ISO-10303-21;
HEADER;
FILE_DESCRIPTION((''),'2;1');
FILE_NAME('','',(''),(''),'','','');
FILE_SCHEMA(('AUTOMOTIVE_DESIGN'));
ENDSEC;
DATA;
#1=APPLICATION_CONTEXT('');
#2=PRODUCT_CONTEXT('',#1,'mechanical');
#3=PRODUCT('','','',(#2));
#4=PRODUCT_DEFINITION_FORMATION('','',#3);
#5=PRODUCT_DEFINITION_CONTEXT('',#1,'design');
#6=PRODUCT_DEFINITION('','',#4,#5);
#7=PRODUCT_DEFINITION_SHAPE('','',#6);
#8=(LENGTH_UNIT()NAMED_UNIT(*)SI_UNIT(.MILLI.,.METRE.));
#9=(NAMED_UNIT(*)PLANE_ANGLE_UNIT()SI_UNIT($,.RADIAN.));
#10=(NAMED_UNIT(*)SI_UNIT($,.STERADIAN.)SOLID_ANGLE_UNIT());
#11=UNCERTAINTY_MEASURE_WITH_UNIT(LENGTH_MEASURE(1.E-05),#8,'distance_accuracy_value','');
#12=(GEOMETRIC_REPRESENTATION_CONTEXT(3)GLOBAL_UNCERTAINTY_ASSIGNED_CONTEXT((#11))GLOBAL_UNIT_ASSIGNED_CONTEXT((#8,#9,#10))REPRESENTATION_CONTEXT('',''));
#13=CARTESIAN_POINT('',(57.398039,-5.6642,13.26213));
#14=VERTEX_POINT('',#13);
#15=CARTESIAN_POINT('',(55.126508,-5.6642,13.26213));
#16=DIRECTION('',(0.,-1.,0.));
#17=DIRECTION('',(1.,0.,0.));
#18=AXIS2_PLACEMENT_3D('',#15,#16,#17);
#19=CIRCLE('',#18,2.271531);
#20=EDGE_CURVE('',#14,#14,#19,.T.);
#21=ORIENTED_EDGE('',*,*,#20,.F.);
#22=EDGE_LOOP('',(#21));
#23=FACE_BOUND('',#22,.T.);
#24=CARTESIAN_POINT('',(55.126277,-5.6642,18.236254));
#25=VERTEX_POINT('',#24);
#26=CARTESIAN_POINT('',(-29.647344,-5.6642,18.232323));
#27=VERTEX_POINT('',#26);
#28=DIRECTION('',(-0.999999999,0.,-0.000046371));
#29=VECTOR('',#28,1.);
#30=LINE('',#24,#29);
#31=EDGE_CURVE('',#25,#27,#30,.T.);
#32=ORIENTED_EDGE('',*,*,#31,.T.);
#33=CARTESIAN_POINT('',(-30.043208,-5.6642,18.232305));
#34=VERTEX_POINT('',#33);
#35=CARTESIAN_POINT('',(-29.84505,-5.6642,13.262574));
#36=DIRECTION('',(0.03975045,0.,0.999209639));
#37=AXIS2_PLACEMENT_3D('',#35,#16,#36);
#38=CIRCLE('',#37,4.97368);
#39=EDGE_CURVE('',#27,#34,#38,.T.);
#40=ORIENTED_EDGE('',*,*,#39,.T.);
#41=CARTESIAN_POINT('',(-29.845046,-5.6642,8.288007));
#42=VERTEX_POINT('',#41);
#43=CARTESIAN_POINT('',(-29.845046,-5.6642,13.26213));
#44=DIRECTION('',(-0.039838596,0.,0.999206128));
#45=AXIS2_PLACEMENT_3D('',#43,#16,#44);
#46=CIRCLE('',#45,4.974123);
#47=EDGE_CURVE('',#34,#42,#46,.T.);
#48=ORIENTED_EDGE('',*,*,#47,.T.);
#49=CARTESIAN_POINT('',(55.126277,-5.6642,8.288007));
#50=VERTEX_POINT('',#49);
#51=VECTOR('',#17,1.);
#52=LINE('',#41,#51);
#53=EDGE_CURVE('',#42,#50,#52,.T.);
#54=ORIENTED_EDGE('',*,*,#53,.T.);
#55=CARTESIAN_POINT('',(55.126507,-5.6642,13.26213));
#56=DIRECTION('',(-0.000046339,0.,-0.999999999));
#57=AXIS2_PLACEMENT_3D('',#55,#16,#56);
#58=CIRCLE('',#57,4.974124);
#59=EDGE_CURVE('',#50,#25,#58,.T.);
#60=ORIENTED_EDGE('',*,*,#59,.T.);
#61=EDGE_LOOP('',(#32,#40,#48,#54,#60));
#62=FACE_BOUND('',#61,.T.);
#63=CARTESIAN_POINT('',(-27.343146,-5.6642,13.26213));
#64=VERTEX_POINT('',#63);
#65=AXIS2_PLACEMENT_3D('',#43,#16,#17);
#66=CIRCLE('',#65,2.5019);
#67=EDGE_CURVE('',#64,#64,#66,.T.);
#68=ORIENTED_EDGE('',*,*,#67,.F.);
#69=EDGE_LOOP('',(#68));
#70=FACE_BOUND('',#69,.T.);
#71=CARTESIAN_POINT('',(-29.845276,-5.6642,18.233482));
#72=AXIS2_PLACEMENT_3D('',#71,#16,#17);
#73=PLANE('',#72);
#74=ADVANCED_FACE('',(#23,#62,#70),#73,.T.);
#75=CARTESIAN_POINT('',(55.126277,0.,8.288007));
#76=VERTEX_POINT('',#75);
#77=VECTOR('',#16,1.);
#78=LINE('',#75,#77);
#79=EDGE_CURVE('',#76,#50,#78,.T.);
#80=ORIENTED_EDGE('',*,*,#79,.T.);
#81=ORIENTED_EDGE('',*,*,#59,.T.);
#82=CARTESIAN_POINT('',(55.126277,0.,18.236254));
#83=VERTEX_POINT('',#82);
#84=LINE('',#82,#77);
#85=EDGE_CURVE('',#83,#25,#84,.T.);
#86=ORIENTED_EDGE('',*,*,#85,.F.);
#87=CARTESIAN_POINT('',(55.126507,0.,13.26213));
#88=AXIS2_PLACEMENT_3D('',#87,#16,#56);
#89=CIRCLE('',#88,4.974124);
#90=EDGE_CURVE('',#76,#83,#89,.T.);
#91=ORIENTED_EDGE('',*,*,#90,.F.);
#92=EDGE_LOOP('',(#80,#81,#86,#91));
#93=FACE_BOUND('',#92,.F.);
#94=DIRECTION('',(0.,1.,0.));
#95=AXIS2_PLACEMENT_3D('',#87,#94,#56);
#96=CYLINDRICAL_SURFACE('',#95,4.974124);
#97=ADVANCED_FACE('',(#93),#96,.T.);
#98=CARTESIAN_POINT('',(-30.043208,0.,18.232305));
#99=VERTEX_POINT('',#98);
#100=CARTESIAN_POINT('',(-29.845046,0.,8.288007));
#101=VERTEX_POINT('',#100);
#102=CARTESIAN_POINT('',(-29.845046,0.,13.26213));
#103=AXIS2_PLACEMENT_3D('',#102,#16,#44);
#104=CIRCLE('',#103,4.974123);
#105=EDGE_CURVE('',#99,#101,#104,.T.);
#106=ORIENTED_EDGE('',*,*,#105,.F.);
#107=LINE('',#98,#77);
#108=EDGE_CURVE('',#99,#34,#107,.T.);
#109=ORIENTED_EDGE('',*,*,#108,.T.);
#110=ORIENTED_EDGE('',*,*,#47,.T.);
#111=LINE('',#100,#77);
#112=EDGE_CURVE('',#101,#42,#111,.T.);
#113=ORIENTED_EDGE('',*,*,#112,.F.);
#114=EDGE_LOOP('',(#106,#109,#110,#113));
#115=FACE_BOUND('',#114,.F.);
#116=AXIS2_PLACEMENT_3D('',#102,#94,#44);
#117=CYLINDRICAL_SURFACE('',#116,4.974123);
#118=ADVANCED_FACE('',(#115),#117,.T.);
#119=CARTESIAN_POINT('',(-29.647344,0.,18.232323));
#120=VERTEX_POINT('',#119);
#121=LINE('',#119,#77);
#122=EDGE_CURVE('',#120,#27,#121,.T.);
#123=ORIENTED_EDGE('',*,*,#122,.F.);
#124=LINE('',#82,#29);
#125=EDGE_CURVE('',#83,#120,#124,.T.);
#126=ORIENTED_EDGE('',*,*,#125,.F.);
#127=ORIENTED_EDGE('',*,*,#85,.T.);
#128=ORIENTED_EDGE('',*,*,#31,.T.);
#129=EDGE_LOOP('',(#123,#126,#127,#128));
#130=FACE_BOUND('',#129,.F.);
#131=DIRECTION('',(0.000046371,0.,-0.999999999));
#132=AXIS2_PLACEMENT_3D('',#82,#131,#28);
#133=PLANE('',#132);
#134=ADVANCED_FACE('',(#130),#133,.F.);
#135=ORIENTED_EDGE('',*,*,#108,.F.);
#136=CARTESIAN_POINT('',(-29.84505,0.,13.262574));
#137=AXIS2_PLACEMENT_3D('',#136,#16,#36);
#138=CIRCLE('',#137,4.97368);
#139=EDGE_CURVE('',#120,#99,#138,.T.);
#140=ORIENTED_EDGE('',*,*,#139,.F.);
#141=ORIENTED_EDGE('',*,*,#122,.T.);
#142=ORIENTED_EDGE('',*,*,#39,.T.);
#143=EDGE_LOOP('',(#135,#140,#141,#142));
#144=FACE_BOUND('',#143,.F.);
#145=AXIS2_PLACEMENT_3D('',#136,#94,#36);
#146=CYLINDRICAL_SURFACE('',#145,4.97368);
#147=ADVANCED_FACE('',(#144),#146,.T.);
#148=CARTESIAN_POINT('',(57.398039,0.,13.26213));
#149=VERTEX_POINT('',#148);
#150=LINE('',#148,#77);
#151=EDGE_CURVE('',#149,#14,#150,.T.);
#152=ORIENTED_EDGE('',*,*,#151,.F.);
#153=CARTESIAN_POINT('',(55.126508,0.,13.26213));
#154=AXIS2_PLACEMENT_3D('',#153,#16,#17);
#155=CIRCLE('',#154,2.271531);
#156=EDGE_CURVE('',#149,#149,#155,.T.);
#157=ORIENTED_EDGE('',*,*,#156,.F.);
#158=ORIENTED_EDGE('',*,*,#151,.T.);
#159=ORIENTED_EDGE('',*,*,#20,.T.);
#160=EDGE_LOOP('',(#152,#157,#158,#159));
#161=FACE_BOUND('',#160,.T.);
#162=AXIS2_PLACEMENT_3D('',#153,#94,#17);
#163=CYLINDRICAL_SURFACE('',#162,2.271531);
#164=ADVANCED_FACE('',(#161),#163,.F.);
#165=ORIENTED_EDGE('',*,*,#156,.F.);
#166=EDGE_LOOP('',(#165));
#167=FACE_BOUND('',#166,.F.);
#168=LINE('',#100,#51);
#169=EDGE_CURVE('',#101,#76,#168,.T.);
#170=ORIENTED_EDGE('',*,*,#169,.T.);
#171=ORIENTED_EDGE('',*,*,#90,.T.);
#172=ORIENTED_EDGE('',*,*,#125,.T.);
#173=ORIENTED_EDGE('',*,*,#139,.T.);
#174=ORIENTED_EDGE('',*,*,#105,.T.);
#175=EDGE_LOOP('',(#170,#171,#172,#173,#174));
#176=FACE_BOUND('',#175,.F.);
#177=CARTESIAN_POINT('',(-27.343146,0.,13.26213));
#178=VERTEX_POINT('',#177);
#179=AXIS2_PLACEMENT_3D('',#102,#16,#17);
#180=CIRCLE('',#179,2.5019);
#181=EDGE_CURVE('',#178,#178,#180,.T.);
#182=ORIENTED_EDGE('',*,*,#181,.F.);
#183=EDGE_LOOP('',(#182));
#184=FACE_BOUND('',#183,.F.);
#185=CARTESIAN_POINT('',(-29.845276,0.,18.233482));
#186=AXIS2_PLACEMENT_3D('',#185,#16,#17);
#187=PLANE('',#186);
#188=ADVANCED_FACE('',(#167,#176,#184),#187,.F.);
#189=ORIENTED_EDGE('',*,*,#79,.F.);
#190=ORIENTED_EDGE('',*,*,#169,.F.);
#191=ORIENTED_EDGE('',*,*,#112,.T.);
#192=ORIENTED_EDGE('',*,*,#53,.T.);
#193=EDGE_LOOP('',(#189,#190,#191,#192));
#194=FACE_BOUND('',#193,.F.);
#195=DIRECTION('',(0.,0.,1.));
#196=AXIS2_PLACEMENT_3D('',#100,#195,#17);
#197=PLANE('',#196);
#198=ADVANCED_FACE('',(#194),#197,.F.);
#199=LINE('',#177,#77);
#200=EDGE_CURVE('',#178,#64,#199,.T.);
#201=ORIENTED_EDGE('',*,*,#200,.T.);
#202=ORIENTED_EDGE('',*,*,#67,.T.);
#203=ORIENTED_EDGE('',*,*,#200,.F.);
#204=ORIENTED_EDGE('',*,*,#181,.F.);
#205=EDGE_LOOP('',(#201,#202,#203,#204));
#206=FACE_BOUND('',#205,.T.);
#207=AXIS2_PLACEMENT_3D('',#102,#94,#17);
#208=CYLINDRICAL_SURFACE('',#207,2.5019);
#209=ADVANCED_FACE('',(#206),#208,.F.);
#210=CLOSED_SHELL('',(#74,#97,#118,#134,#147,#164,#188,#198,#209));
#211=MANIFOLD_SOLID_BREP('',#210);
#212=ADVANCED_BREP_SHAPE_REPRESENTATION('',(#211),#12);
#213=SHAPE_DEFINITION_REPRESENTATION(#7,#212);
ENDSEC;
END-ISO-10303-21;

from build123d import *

# Parameters (mm, degrees)
F0_R     = 2.5019
F0_R_2   = 2.271531
F1_DEPTH = 5.6642


with BuildPart() as f1:
    # F0 (on Front) → F1 (new body)
    with BuildSketch(Plane.XZ):
        with BuildLine():
            Line((-30.043208, 18.232305), (-29.647344, 18.232323))
            ThreePointArc((-29.647344, 18.232323), (-29.845277, 18.236254), (-30.043208, 18.232305))
        make_face()
        with BuildLine():
            Line((55.126277, 18.236254), (-29.647344, 18.232323))
            Line((-29.647344, 18.232323), (-30.043208, 18.232305))
            ThreePointArc((-30.043208, 18.232305), (-34.818182, 13.163029), (-29.845046, 8.288007))
            Line((-29.845046, 8.288007), (55.126277, 8.288007))
            ThreePointArc((55.126277, 8.288007), (60.100631, 13.26213), (55.126277, 18.236254))
        make_face()
        with Locations((-29.845046, 13.26213)):
            Circle(F0_R, mode=Mode.SUBTRACT)
        with Locations((55.126508, 13.26213)):
            Circle(F0_R_2, mode=Mode.SUBTRACT)
    extrude(amount=F1_DEPTH)


solid = f1.part
